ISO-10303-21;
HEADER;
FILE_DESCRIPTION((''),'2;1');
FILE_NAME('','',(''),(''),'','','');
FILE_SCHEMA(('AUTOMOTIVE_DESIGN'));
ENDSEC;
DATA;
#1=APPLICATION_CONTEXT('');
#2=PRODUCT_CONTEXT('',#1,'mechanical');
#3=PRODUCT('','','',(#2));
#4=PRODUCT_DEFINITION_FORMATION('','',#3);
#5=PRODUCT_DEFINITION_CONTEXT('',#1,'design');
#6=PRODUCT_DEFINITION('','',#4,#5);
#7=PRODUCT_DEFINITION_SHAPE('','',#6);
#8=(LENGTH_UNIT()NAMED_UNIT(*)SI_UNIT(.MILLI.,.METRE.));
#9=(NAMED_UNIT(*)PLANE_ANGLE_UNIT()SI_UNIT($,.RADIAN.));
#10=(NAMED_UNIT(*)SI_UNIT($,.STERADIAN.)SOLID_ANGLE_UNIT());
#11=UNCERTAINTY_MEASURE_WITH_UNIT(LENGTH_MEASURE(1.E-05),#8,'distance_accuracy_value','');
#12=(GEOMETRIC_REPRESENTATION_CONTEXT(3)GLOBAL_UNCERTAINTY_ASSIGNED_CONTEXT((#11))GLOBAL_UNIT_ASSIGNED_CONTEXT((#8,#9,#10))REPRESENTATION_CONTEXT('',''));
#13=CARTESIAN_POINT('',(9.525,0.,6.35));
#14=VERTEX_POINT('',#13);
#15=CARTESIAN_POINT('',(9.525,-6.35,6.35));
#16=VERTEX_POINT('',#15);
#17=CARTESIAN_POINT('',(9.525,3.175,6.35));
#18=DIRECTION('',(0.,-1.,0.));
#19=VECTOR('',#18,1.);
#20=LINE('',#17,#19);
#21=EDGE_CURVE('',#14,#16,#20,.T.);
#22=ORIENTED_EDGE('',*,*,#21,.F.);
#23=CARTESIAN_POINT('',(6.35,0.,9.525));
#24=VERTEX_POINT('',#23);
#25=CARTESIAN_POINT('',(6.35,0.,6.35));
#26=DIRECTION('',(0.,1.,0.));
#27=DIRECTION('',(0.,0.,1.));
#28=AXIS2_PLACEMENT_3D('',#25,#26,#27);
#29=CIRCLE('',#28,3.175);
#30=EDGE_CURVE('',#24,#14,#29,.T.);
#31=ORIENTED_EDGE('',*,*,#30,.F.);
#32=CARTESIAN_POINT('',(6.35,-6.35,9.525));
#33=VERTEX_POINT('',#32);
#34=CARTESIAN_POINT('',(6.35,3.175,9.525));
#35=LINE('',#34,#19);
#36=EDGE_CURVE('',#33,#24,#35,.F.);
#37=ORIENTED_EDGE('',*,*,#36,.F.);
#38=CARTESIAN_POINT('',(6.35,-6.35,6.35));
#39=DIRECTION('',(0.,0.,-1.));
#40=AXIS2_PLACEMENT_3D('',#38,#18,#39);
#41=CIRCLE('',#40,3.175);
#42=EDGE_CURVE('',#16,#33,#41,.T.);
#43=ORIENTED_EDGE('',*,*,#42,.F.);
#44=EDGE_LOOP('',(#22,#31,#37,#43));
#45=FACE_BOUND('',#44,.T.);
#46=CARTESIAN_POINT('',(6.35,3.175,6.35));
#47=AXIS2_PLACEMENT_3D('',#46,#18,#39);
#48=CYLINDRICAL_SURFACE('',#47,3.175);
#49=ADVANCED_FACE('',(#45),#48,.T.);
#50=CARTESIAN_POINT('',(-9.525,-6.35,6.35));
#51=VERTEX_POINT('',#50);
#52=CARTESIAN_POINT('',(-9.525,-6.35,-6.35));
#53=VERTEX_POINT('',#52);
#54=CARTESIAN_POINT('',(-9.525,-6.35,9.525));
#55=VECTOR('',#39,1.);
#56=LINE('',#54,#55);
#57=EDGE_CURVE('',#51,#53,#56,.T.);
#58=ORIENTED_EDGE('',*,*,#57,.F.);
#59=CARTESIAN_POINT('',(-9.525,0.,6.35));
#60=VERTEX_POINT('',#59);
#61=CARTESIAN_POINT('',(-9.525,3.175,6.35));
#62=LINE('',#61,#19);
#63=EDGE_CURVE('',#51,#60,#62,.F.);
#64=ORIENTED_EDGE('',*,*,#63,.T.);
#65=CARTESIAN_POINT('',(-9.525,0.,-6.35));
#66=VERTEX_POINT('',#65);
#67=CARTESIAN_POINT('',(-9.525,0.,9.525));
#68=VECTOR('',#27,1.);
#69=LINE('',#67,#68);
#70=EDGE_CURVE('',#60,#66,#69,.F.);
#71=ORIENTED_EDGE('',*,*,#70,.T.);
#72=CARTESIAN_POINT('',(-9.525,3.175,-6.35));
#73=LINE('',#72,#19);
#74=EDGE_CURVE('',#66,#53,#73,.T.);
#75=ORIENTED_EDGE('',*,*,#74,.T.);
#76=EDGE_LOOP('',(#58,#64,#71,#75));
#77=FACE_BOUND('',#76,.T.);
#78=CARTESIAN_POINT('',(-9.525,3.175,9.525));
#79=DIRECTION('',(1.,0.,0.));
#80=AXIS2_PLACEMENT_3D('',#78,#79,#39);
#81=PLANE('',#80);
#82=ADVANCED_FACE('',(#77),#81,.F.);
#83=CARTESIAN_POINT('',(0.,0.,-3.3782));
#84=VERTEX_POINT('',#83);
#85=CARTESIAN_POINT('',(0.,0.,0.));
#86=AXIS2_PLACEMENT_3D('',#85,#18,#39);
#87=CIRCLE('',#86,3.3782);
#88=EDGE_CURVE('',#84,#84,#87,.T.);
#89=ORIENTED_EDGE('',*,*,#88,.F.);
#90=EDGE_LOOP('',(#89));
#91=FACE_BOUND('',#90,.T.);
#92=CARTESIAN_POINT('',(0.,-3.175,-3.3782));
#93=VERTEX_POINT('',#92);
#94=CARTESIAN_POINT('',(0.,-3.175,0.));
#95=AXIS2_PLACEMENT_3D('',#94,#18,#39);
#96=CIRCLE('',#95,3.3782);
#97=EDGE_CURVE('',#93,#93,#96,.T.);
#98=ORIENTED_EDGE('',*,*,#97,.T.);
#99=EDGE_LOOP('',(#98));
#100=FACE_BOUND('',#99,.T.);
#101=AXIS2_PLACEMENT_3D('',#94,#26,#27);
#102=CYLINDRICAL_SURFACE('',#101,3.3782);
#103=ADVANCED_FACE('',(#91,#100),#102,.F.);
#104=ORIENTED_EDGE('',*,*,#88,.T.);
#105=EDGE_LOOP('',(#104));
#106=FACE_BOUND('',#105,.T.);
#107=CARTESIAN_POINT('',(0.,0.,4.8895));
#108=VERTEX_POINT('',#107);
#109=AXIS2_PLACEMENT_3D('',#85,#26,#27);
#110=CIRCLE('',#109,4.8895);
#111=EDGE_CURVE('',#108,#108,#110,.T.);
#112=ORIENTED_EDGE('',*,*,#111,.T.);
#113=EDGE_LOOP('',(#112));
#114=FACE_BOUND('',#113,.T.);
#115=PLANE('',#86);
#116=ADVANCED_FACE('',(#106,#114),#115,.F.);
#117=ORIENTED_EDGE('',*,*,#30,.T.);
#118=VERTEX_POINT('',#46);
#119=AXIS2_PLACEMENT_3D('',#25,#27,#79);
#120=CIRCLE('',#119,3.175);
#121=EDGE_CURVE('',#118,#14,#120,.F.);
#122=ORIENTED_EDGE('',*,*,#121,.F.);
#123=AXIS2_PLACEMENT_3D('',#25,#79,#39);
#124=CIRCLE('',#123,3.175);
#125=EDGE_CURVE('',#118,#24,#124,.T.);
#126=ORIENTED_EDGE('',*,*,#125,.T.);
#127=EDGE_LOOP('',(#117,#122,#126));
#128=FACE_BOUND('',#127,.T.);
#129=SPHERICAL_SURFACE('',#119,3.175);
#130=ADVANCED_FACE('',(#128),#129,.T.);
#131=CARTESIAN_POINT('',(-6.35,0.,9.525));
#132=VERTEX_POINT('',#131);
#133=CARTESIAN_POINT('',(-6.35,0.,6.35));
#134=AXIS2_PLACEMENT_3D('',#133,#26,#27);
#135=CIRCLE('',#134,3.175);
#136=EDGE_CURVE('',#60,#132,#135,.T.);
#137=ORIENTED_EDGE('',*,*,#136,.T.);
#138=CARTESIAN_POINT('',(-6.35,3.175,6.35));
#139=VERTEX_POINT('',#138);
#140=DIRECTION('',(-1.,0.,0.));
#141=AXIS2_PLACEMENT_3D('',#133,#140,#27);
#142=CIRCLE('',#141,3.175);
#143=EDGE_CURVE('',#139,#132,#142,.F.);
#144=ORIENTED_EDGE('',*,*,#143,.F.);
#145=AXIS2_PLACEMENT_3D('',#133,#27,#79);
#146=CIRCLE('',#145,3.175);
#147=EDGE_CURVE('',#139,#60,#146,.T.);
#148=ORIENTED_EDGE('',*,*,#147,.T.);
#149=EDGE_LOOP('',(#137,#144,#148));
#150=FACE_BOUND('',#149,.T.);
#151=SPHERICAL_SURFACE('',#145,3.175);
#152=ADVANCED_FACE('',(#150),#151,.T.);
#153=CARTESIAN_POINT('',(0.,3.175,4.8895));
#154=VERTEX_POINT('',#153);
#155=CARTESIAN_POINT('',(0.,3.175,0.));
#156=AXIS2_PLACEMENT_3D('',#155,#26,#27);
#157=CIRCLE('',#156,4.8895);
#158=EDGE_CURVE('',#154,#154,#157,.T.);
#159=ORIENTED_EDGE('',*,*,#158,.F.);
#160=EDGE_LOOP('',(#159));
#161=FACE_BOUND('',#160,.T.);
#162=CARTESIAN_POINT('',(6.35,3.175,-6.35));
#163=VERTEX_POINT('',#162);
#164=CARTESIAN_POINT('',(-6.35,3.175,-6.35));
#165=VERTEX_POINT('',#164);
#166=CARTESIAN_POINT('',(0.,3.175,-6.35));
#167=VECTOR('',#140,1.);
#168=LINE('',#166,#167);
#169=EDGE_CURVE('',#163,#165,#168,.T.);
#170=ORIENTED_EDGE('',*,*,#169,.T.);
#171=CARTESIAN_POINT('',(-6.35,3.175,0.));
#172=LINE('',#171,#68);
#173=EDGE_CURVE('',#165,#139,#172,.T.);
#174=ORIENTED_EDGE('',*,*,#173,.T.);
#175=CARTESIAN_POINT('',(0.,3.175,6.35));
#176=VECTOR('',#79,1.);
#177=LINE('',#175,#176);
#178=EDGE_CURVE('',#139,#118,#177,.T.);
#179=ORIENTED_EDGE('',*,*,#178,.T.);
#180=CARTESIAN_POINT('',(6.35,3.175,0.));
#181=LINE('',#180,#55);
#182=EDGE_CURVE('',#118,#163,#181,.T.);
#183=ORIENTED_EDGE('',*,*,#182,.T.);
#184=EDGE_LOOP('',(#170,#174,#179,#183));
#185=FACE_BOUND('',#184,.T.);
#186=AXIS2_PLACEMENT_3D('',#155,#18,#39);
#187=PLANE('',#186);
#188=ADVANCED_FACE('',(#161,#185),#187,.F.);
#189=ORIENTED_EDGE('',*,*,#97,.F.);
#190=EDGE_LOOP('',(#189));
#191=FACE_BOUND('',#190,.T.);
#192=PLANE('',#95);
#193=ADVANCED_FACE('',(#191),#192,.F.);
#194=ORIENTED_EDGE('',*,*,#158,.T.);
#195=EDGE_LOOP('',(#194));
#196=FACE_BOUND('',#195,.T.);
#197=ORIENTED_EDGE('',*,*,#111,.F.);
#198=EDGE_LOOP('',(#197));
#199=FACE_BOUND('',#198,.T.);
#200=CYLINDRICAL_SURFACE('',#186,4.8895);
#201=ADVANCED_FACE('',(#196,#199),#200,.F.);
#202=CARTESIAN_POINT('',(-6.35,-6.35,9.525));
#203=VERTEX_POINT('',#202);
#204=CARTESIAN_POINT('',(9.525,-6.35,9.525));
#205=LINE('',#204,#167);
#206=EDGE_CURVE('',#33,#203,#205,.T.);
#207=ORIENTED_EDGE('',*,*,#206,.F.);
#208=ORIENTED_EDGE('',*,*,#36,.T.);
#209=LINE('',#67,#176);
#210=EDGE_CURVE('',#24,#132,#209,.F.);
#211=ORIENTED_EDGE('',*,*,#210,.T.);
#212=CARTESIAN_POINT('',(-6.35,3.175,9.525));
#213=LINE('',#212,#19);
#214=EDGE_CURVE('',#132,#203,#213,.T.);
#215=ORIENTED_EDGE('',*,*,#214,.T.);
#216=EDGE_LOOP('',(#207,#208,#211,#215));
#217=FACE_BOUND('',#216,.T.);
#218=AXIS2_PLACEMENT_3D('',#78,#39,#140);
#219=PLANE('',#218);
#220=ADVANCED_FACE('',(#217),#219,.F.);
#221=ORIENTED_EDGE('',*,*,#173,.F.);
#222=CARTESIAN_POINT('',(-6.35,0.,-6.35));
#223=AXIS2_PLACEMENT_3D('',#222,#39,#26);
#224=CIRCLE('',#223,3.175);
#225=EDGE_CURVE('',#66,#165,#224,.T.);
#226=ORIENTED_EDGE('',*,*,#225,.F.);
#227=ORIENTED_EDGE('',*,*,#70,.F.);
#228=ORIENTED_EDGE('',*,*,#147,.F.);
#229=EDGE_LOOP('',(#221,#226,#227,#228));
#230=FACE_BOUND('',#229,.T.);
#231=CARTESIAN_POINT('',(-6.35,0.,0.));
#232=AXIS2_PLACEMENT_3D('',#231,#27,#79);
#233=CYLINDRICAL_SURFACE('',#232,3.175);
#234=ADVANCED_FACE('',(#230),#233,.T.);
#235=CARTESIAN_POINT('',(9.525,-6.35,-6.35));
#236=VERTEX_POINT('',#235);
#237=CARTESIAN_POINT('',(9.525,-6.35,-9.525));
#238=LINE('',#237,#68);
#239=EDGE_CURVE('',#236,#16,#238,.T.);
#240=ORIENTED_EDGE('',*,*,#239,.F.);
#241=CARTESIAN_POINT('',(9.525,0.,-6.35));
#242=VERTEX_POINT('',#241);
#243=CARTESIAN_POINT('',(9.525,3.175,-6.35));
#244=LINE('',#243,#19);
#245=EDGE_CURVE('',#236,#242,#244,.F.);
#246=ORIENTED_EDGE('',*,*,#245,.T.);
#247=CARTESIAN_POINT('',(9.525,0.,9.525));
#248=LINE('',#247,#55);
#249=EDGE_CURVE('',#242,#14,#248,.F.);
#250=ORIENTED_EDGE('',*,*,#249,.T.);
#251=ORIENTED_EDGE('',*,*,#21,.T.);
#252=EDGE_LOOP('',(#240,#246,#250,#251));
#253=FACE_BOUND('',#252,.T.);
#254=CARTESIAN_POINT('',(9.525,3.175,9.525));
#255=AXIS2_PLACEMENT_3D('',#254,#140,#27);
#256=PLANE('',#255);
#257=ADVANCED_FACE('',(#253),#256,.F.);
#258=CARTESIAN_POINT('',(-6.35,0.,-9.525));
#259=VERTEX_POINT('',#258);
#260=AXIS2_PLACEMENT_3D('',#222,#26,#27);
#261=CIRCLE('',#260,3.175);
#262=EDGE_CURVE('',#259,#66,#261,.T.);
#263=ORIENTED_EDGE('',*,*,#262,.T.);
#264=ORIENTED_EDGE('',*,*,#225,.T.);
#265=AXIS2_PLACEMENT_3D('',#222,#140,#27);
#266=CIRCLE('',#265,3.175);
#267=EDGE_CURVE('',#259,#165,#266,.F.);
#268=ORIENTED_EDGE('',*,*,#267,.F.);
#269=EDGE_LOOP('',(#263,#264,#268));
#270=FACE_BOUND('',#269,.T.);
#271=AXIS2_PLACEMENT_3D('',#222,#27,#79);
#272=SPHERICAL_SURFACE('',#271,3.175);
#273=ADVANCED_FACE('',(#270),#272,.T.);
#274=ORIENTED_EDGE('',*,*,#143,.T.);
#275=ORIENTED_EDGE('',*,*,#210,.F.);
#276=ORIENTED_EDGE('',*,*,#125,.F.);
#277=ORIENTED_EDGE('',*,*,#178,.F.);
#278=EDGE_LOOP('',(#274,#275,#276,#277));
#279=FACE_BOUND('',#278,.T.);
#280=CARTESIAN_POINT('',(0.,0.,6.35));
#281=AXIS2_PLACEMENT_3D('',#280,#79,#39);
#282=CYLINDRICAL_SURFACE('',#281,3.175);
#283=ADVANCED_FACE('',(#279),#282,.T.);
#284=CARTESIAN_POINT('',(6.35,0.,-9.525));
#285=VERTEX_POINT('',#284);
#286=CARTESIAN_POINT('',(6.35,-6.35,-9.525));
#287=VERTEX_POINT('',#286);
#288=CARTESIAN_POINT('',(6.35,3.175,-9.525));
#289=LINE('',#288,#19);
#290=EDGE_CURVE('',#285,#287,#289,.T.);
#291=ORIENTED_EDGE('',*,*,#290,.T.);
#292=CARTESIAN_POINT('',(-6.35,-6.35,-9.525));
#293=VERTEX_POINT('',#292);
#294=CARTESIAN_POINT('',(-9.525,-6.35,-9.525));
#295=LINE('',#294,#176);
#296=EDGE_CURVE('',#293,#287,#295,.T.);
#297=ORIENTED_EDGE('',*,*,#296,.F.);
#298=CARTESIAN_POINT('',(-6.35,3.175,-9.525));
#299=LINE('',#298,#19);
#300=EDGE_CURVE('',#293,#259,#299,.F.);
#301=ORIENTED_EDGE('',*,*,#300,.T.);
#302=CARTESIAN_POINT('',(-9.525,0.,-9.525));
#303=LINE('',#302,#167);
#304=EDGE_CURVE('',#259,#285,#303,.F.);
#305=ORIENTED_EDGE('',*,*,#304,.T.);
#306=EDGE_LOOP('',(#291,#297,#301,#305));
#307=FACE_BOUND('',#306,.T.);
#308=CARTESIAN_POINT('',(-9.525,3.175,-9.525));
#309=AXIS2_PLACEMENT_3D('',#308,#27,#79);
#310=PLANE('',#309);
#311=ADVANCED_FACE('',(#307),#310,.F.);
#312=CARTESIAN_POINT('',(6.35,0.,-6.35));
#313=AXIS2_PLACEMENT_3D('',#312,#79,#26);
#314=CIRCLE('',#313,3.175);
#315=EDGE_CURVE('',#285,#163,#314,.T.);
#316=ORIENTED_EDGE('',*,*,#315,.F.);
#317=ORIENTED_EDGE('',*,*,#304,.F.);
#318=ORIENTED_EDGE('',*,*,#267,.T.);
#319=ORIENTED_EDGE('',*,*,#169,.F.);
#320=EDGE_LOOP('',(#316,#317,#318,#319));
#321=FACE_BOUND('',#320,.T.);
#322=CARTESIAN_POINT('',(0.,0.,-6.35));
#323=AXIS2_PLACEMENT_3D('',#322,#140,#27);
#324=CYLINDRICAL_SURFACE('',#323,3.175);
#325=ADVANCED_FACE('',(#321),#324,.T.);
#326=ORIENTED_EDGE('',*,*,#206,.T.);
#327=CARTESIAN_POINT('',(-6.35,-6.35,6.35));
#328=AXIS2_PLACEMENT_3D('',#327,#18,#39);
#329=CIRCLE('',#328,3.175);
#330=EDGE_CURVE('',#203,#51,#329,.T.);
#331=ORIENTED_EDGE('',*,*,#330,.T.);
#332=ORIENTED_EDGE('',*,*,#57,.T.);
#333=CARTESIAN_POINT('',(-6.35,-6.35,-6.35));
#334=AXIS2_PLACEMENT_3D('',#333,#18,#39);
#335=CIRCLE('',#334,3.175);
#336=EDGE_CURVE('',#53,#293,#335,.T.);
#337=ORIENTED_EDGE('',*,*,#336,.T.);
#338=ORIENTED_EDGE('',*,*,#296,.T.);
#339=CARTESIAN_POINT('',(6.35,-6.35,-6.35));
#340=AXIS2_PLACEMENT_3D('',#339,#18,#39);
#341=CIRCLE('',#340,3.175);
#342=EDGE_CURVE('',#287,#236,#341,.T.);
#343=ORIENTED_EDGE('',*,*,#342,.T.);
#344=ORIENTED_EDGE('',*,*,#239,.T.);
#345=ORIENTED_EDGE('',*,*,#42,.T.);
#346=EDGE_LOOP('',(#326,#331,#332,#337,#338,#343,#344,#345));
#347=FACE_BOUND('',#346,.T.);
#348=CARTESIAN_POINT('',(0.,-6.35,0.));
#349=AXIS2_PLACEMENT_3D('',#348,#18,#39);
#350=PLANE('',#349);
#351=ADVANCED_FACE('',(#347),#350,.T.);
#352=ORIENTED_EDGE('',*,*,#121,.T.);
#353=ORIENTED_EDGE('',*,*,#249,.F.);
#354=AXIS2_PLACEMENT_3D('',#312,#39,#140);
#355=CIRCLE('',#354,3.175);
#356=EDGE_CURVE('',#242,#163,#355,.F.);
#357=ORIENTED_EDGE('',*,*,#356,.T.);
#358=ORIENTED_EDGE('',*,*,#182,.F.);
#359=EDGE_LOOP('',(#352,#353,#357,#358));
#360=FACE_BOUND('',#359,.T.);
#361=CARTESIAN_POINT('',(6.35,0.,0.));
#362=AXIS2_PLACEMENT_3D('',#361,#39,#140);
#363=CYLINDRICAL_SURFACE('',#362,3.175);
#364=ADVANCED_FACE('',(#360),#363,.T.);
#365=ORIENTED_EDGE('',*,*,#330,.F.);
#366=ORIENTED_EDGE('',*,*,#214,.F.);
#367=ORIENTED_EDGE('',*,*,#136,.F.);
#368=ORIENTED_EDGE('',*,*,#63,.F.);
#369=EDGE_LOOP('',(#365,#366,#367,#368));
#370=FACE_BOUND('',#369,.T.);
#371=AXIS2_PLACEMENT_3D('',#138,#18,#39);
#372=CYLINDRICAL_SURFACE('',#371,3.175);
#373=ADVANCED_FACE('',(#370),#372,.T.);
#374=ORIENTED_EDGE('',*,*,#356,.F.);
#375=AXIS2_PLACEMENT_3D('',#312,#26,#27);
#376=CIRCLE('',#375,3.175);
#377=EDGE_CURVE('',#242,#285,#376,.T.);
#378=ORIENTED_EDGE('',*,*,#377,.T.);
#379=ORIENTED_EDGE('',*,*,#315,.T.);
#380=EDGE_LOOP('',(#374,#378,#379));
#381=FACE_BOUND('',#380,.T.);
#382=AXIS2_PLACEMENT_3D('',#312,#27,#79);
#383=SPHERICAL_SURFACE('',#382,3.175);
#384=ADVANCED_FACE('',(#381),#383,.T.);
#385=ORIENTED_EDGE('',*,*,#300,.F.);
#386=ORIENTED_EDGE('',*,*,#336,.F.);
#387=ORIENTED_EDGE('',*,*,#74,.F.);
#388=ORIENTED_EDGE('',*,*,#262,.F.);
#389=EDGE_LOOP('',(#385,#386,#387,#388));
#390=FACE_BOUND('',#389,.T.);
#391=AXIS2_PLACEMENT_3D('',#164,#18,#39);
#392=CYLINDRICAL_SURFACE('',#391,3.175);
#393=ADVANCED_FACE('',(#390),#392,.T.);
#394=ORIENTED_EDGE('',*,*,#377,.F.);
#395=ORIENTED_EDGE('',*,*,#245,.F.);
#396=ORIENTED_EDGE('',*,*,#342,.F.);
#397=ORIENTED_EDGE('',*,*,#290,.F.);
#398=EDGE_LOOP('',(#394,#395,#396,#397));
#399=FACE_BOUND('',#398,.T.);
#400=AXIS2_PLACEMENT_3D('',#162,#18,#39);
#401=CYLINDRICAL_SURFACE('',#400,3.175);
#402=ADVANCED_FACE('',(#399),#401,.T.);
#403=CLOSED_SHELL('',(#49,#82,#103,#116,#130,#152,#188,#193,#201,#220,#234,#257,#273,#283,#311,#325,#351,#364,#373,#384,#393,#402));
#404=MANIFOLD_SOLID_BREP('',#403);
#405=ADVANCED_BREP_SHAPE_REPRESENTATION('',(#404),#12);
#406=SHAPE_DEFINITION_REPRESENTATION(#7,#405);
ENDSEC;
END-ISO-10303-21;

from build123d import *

# Parameters (mm, degrees)
SKETCH1_W           = 19.05
SKETCH1_H           = 19.05
SKETCH1_R           = 4.8895
BOSS_EXTRUDE1_DEPTH = 3.175
SKETCH3_W           = 19.05
SKETCH3_H           = 19.05
SKETCH3_R           = 3.3782
BOSS_EXTRUDE2_DEPTH = 3.175
SKETCH4_W           = 19.05
SKETCH4_H           = 19.05
BOSS_EXTRUDE3_DEPTH = 3.175
FILLET1_R           = 3.175


with BuildPart() as part:
    # Sketch1 → Boss-Extrude1 (new body)
    with BuildSketch(Plane(origin=(0, 0, 0), x_dir=(1, 0, 0), z_dir=(0, 1, 0))):
        Rectangle(SKETCH1_W, SKETCH1_H)
        Circle(SKETCH1_R, mode=Mode.SUBTRACT)
    extrude(amount=BOSS_EXTRUDE1_DEPTH)

    # Sketch3 → Boss-Extrude2 (add)
    with BuildSketch(Plane.XZ):
        Rectangle(SKETCH3_W, SKETCH3_H)
        Circle(SKETCH3_R, mode=Mode.SUBTRACT)
    extrude(amount=BOSS_EXTRUDE2_DEPTH)

    # Sketch4 → Boss-Extrude3 (add)
    with BuildSketch(Plane.XZ.offset(3.175)):
        Rectangle(SKETCH4_W, SKETCH4_H)
    extrude(amount=BOSS_EXTRUDE3_DEPTH)

    # Fillet1
    fillet1_edges = [part.edges().sort_by_distance(p)[0] for p in [
        (-9.525, 3.175, 0),
        (0, 3.175, 9.525),
        (9.525, 3.175, 0),
        (0, 3.175, -9.525),
        (9.525, -1.5875, 9.525),
        (-9.525, -1.5875, 9.525),
        (-9.525, -1.5875, -9.525),
        (9.525, -1.5875, -9.525),
    ]]
    fillet(fillet1_edges, radius=FILLET1_R)


solid = part.part
